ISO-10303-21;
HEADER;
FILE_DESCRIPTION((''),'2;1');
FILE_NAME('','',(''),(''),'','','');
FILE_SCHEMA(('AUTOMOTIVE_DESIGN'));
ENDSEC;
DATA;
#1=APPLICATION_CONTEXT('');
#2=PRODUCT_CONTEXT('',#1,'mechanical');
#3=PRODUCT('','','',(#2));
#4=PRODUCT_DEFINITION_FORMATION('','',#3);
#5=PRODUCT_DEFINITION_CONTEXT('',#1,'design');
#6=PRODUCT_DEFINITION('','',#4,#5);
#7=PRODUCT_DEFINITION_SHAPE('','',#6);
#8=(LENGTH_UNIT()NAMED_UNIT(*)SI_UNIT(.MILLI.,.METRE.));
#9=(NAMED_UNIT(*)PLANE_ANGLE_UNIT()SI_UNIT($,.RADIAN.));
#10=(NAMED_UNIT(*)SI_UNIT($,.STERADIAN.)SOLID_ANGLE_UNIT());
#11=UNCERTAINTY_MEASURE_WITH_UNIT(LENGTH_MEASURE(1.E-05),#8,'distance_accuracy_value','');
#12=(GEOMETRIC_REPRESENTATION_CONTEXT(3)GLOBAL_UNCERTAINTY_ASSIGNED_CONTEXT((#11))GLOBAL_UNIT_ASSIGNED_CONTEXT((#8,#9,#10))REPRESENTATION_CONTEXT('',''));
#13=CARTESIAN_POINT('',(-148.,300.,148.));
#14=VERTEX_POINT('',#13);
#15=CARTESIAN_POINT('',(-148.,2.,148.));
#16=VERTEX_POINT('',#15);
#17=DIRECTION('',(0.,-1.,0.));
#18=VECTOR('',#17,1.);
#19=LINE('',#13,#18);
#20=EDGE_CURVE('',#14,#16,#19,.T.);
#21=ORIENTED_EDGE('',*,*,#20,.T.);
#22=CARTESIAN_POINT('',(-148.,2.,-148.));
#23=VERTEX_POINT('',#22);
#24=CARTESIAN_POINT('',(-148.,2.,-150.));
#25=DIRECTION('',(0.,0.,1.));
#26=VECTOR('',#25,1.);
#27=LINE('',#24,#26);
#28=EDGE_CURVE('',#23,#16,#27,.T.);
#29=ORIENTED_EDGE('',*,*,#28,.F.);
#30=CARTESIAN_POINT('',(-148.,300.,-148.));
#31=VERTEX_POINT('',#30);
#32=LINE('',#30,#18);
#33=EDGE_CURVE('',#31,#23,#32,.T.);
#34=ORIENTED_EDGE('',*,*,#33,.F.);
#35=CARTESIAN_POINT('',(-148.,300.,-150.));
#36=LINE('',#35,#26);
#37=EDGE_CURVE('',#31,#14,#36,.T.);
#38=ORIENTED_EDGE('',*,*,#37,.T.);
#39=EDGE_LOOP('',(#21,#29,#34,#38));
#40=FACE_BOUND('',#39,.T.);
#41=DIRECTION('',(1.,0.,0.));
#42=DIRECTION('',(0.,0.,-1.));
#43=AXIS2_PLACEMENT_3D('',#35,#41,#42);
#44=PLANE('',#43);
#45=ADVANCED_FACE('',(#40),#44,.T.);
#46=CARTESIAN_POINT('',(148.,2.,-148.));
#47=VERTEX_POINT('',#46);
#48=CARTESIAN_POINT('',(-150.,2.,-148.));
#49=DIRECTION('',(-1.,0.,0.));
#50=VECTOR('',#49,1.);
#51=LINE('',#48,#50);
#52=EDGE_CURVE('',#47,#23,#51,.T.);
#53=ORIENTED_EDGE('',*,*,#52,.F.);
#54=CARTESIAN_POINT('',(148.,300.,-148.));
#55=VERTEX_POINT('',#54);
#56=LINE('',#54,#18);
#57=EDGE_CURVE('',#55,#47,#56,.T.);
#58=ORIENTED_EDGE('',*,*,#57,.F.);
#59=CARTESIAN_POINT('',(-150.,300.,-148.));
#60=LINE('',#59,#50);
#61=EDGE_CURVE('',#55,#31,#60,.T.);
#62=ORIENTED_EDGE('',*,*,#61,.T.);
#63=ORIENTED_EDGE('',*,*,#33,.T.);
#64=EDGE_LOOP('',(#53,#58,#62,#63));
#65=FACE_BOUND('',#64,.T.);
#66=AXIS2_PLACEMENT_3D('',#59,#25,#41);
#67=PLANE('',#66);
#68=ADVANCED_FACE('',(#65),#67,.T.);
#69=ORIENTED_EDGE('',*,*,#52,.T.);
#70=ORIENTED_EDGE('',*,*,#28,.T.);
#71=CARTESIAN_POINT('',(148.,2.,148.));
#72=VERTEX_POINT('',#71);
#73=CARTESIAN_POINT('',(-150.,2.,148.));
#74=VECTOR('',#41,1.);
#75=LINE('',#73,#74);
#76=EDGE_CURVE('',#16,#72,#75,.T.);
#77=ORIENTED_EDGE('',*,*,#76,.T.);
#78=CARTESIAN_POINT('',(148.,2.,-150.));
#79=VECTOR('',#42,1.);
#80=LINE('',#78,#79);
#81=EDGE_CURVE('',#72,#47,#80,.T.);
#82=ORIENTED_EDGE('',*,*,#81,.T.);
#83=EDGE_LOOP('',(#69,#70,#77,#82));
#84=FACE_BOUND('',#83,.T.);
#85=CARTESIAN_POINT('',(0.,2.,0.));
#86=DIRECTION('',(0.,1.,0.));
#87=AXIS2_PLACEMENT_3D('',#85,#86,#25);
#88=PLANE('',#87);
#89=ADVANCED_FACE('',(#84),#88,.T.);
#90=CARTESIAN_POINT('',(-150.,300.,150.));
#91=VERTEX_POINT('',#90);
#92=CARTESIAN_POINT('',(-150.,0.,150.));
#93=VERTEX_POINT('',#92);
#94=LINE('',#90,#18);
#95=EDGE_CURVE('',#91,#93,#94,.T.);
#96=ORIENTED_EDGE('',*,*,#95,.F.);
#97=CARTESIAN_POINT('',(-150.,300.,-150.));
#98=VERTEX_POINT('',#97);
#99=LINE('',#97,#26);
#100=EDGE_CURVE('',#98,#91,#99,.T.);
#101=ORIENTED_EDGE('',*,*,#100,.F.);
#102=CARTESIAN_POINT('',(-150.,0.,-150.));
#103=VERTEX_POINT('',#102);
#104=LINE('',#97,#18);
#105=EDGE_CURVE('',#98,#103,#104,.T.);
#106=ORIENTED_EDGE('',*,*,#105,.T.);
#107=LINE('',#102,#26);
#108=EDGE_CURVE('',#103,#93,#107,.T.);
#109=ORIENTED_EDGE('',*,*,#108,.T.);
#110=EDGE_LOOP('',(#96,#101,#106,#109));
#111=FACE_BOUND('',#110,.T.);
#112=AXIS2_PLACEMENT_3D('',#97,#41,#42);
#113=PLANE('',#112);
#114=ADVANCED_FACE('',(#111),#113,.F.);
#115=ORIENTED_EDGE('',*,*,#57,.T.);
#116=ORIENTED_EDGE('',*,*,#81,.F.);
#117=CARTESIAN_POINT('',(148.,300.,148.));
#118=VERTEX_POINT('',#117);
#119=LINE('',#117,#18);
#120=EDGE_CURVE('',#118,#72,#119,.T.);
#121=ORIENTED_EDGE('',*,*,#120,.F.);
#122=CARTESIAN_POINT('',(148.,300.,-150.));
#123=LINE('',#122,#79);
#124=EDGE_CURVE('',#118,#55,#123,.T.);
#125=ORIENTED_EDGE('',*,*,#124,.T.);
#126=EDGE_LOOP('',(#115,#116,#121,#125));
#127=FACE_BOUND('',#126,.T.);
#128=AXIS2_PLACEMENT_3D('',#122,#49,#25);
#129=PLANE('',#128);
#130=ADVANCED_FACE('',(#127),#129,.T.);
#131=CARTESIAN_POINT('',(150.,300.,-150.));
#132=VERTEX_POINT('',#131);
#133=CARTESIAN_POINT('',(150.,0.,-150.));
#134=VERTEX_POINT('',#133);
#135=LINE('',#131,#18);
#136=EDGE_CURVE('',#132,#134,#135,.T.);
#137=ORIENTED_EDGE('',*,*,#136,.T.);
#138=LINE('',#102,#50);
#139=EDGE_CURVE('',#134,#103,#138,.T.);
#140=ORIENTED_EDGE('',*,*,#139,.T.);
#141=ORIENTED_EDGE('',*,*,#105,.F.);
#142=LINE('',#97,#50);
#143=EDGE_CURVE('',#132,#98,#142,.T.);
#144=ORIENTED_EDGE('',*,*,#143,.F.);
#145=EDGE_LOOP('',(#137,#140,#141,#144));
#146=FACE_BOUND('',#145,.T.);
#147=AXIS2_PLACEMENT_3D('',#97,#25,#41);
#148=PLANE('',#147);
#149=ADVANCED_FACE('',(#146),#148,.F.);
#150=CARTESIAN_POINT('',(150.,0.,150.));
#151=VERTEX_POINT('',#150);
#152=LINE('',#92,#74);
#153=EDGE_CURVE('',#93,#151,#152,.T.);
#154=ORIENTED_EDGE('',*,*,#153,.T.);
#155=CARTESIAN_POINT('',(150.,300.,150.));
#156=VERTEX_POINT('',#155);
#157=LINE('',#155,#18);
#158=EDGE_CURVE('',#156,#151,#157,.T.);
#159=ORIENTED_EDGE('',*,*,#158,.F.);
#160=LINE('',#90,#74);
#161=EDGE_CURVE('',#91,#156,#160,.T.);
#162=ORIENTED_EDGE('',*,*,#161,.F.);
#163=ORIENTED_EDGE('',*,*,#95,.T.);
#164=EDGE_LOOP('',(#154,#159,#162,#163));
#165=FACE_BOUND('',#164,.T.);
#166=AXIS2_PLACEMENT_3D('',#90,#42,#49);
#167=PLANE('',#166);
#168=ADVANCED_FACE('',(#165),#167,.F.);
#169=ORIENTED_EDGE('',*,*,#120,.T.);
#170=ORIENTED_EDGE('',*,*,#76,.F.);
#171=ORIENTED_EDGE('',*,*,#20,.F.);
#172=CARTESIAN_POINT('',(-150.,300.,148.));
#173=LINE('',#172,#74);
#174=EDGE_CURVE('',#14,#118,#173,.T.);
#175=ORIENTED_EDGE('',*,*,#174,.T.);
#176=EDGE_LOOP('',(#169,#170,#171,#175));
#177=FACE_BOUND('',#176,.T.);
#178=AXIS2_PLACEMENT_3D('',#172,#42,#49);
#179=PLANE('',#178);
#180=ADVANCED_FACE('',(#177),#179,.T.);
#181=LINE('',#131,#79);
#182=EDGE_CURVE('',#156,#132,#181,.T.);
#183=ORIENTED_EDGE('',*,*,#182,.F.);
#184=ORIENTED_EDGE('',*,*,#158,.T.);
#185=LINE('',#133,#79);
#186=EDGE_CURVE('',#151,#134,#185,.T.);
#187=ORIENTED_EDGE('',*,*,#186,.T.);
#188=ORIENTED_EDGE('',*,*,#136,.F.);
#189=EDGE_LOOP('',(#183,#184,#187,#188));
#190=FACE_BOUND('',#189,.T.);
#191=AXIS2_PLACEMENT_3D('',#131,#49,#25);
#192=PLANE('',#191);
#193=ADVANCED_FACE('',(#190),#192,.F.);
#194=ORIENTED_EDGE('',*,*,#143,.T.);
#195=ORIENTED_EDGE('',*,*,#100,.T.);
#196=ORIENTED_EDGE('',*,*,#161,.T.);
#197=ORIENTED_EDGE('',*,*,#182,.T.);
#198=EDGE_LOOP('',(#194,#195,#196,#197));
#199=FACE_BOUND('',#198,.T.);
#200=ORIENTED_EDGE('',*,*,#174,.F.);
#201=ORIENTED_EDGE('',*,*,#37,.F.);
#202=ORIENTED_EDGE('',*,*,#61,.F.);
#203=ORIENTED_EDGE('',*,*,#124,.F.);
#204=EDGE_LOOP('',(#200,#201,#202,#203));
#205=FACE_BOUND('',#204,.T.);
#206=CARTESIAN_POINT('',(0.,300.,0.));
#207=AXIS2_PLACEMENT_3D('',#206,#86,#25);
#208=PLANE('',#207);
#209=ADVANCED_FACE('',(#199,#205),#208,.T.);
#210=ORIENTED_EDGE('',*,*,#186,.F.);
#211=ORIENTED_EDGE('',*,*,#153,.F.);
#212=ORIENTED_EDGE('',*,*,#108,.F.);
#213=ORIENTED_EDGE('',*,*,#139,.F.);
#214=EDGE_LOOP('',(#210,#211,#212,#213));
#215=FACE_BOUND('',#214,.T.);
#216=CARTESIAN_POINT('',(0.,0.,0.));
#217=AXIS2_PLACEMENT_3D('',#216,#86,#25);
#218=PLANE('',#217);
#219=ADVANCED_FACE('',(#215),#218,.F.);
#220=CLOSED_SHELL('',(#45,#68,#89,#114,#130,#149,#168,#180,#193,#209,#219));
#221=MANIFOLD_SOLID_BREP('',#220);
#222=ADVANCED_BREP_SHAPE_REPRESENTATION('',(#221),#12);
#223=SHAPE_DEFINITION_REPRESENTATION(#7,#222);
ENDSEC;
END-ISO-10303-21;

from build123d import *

# Parameters (mm, degrees)
SKETCH1_W           = 300
SKETCH1_H           = 300
BOSS_EXTRUDE1_DEPTH = 300
SHELL1_T            = -2


with BuildPart() as part:
    # Sketch1 → Boss-Extrude1 (new body)
    with BuildSketch(Plane(origin=(0, 0, 0), x_dir=(1, 0, 0), z_dir=(0, 1, 0))):
        Rectangle(SKETCH1_W, SKETCH1_H)
    extrude(amount=BOSS_EXTRUDE1_DEPTH)

    # Shell1
    shell1_openings = [part.faces().sort_by_distance(p)[0] for p in [
        (0, 300, 0),
    ]]
    offset(amount=SHELL1_T, openings=shell1_openings, kind=Kind.INTERSECTION)


solid = part.part
